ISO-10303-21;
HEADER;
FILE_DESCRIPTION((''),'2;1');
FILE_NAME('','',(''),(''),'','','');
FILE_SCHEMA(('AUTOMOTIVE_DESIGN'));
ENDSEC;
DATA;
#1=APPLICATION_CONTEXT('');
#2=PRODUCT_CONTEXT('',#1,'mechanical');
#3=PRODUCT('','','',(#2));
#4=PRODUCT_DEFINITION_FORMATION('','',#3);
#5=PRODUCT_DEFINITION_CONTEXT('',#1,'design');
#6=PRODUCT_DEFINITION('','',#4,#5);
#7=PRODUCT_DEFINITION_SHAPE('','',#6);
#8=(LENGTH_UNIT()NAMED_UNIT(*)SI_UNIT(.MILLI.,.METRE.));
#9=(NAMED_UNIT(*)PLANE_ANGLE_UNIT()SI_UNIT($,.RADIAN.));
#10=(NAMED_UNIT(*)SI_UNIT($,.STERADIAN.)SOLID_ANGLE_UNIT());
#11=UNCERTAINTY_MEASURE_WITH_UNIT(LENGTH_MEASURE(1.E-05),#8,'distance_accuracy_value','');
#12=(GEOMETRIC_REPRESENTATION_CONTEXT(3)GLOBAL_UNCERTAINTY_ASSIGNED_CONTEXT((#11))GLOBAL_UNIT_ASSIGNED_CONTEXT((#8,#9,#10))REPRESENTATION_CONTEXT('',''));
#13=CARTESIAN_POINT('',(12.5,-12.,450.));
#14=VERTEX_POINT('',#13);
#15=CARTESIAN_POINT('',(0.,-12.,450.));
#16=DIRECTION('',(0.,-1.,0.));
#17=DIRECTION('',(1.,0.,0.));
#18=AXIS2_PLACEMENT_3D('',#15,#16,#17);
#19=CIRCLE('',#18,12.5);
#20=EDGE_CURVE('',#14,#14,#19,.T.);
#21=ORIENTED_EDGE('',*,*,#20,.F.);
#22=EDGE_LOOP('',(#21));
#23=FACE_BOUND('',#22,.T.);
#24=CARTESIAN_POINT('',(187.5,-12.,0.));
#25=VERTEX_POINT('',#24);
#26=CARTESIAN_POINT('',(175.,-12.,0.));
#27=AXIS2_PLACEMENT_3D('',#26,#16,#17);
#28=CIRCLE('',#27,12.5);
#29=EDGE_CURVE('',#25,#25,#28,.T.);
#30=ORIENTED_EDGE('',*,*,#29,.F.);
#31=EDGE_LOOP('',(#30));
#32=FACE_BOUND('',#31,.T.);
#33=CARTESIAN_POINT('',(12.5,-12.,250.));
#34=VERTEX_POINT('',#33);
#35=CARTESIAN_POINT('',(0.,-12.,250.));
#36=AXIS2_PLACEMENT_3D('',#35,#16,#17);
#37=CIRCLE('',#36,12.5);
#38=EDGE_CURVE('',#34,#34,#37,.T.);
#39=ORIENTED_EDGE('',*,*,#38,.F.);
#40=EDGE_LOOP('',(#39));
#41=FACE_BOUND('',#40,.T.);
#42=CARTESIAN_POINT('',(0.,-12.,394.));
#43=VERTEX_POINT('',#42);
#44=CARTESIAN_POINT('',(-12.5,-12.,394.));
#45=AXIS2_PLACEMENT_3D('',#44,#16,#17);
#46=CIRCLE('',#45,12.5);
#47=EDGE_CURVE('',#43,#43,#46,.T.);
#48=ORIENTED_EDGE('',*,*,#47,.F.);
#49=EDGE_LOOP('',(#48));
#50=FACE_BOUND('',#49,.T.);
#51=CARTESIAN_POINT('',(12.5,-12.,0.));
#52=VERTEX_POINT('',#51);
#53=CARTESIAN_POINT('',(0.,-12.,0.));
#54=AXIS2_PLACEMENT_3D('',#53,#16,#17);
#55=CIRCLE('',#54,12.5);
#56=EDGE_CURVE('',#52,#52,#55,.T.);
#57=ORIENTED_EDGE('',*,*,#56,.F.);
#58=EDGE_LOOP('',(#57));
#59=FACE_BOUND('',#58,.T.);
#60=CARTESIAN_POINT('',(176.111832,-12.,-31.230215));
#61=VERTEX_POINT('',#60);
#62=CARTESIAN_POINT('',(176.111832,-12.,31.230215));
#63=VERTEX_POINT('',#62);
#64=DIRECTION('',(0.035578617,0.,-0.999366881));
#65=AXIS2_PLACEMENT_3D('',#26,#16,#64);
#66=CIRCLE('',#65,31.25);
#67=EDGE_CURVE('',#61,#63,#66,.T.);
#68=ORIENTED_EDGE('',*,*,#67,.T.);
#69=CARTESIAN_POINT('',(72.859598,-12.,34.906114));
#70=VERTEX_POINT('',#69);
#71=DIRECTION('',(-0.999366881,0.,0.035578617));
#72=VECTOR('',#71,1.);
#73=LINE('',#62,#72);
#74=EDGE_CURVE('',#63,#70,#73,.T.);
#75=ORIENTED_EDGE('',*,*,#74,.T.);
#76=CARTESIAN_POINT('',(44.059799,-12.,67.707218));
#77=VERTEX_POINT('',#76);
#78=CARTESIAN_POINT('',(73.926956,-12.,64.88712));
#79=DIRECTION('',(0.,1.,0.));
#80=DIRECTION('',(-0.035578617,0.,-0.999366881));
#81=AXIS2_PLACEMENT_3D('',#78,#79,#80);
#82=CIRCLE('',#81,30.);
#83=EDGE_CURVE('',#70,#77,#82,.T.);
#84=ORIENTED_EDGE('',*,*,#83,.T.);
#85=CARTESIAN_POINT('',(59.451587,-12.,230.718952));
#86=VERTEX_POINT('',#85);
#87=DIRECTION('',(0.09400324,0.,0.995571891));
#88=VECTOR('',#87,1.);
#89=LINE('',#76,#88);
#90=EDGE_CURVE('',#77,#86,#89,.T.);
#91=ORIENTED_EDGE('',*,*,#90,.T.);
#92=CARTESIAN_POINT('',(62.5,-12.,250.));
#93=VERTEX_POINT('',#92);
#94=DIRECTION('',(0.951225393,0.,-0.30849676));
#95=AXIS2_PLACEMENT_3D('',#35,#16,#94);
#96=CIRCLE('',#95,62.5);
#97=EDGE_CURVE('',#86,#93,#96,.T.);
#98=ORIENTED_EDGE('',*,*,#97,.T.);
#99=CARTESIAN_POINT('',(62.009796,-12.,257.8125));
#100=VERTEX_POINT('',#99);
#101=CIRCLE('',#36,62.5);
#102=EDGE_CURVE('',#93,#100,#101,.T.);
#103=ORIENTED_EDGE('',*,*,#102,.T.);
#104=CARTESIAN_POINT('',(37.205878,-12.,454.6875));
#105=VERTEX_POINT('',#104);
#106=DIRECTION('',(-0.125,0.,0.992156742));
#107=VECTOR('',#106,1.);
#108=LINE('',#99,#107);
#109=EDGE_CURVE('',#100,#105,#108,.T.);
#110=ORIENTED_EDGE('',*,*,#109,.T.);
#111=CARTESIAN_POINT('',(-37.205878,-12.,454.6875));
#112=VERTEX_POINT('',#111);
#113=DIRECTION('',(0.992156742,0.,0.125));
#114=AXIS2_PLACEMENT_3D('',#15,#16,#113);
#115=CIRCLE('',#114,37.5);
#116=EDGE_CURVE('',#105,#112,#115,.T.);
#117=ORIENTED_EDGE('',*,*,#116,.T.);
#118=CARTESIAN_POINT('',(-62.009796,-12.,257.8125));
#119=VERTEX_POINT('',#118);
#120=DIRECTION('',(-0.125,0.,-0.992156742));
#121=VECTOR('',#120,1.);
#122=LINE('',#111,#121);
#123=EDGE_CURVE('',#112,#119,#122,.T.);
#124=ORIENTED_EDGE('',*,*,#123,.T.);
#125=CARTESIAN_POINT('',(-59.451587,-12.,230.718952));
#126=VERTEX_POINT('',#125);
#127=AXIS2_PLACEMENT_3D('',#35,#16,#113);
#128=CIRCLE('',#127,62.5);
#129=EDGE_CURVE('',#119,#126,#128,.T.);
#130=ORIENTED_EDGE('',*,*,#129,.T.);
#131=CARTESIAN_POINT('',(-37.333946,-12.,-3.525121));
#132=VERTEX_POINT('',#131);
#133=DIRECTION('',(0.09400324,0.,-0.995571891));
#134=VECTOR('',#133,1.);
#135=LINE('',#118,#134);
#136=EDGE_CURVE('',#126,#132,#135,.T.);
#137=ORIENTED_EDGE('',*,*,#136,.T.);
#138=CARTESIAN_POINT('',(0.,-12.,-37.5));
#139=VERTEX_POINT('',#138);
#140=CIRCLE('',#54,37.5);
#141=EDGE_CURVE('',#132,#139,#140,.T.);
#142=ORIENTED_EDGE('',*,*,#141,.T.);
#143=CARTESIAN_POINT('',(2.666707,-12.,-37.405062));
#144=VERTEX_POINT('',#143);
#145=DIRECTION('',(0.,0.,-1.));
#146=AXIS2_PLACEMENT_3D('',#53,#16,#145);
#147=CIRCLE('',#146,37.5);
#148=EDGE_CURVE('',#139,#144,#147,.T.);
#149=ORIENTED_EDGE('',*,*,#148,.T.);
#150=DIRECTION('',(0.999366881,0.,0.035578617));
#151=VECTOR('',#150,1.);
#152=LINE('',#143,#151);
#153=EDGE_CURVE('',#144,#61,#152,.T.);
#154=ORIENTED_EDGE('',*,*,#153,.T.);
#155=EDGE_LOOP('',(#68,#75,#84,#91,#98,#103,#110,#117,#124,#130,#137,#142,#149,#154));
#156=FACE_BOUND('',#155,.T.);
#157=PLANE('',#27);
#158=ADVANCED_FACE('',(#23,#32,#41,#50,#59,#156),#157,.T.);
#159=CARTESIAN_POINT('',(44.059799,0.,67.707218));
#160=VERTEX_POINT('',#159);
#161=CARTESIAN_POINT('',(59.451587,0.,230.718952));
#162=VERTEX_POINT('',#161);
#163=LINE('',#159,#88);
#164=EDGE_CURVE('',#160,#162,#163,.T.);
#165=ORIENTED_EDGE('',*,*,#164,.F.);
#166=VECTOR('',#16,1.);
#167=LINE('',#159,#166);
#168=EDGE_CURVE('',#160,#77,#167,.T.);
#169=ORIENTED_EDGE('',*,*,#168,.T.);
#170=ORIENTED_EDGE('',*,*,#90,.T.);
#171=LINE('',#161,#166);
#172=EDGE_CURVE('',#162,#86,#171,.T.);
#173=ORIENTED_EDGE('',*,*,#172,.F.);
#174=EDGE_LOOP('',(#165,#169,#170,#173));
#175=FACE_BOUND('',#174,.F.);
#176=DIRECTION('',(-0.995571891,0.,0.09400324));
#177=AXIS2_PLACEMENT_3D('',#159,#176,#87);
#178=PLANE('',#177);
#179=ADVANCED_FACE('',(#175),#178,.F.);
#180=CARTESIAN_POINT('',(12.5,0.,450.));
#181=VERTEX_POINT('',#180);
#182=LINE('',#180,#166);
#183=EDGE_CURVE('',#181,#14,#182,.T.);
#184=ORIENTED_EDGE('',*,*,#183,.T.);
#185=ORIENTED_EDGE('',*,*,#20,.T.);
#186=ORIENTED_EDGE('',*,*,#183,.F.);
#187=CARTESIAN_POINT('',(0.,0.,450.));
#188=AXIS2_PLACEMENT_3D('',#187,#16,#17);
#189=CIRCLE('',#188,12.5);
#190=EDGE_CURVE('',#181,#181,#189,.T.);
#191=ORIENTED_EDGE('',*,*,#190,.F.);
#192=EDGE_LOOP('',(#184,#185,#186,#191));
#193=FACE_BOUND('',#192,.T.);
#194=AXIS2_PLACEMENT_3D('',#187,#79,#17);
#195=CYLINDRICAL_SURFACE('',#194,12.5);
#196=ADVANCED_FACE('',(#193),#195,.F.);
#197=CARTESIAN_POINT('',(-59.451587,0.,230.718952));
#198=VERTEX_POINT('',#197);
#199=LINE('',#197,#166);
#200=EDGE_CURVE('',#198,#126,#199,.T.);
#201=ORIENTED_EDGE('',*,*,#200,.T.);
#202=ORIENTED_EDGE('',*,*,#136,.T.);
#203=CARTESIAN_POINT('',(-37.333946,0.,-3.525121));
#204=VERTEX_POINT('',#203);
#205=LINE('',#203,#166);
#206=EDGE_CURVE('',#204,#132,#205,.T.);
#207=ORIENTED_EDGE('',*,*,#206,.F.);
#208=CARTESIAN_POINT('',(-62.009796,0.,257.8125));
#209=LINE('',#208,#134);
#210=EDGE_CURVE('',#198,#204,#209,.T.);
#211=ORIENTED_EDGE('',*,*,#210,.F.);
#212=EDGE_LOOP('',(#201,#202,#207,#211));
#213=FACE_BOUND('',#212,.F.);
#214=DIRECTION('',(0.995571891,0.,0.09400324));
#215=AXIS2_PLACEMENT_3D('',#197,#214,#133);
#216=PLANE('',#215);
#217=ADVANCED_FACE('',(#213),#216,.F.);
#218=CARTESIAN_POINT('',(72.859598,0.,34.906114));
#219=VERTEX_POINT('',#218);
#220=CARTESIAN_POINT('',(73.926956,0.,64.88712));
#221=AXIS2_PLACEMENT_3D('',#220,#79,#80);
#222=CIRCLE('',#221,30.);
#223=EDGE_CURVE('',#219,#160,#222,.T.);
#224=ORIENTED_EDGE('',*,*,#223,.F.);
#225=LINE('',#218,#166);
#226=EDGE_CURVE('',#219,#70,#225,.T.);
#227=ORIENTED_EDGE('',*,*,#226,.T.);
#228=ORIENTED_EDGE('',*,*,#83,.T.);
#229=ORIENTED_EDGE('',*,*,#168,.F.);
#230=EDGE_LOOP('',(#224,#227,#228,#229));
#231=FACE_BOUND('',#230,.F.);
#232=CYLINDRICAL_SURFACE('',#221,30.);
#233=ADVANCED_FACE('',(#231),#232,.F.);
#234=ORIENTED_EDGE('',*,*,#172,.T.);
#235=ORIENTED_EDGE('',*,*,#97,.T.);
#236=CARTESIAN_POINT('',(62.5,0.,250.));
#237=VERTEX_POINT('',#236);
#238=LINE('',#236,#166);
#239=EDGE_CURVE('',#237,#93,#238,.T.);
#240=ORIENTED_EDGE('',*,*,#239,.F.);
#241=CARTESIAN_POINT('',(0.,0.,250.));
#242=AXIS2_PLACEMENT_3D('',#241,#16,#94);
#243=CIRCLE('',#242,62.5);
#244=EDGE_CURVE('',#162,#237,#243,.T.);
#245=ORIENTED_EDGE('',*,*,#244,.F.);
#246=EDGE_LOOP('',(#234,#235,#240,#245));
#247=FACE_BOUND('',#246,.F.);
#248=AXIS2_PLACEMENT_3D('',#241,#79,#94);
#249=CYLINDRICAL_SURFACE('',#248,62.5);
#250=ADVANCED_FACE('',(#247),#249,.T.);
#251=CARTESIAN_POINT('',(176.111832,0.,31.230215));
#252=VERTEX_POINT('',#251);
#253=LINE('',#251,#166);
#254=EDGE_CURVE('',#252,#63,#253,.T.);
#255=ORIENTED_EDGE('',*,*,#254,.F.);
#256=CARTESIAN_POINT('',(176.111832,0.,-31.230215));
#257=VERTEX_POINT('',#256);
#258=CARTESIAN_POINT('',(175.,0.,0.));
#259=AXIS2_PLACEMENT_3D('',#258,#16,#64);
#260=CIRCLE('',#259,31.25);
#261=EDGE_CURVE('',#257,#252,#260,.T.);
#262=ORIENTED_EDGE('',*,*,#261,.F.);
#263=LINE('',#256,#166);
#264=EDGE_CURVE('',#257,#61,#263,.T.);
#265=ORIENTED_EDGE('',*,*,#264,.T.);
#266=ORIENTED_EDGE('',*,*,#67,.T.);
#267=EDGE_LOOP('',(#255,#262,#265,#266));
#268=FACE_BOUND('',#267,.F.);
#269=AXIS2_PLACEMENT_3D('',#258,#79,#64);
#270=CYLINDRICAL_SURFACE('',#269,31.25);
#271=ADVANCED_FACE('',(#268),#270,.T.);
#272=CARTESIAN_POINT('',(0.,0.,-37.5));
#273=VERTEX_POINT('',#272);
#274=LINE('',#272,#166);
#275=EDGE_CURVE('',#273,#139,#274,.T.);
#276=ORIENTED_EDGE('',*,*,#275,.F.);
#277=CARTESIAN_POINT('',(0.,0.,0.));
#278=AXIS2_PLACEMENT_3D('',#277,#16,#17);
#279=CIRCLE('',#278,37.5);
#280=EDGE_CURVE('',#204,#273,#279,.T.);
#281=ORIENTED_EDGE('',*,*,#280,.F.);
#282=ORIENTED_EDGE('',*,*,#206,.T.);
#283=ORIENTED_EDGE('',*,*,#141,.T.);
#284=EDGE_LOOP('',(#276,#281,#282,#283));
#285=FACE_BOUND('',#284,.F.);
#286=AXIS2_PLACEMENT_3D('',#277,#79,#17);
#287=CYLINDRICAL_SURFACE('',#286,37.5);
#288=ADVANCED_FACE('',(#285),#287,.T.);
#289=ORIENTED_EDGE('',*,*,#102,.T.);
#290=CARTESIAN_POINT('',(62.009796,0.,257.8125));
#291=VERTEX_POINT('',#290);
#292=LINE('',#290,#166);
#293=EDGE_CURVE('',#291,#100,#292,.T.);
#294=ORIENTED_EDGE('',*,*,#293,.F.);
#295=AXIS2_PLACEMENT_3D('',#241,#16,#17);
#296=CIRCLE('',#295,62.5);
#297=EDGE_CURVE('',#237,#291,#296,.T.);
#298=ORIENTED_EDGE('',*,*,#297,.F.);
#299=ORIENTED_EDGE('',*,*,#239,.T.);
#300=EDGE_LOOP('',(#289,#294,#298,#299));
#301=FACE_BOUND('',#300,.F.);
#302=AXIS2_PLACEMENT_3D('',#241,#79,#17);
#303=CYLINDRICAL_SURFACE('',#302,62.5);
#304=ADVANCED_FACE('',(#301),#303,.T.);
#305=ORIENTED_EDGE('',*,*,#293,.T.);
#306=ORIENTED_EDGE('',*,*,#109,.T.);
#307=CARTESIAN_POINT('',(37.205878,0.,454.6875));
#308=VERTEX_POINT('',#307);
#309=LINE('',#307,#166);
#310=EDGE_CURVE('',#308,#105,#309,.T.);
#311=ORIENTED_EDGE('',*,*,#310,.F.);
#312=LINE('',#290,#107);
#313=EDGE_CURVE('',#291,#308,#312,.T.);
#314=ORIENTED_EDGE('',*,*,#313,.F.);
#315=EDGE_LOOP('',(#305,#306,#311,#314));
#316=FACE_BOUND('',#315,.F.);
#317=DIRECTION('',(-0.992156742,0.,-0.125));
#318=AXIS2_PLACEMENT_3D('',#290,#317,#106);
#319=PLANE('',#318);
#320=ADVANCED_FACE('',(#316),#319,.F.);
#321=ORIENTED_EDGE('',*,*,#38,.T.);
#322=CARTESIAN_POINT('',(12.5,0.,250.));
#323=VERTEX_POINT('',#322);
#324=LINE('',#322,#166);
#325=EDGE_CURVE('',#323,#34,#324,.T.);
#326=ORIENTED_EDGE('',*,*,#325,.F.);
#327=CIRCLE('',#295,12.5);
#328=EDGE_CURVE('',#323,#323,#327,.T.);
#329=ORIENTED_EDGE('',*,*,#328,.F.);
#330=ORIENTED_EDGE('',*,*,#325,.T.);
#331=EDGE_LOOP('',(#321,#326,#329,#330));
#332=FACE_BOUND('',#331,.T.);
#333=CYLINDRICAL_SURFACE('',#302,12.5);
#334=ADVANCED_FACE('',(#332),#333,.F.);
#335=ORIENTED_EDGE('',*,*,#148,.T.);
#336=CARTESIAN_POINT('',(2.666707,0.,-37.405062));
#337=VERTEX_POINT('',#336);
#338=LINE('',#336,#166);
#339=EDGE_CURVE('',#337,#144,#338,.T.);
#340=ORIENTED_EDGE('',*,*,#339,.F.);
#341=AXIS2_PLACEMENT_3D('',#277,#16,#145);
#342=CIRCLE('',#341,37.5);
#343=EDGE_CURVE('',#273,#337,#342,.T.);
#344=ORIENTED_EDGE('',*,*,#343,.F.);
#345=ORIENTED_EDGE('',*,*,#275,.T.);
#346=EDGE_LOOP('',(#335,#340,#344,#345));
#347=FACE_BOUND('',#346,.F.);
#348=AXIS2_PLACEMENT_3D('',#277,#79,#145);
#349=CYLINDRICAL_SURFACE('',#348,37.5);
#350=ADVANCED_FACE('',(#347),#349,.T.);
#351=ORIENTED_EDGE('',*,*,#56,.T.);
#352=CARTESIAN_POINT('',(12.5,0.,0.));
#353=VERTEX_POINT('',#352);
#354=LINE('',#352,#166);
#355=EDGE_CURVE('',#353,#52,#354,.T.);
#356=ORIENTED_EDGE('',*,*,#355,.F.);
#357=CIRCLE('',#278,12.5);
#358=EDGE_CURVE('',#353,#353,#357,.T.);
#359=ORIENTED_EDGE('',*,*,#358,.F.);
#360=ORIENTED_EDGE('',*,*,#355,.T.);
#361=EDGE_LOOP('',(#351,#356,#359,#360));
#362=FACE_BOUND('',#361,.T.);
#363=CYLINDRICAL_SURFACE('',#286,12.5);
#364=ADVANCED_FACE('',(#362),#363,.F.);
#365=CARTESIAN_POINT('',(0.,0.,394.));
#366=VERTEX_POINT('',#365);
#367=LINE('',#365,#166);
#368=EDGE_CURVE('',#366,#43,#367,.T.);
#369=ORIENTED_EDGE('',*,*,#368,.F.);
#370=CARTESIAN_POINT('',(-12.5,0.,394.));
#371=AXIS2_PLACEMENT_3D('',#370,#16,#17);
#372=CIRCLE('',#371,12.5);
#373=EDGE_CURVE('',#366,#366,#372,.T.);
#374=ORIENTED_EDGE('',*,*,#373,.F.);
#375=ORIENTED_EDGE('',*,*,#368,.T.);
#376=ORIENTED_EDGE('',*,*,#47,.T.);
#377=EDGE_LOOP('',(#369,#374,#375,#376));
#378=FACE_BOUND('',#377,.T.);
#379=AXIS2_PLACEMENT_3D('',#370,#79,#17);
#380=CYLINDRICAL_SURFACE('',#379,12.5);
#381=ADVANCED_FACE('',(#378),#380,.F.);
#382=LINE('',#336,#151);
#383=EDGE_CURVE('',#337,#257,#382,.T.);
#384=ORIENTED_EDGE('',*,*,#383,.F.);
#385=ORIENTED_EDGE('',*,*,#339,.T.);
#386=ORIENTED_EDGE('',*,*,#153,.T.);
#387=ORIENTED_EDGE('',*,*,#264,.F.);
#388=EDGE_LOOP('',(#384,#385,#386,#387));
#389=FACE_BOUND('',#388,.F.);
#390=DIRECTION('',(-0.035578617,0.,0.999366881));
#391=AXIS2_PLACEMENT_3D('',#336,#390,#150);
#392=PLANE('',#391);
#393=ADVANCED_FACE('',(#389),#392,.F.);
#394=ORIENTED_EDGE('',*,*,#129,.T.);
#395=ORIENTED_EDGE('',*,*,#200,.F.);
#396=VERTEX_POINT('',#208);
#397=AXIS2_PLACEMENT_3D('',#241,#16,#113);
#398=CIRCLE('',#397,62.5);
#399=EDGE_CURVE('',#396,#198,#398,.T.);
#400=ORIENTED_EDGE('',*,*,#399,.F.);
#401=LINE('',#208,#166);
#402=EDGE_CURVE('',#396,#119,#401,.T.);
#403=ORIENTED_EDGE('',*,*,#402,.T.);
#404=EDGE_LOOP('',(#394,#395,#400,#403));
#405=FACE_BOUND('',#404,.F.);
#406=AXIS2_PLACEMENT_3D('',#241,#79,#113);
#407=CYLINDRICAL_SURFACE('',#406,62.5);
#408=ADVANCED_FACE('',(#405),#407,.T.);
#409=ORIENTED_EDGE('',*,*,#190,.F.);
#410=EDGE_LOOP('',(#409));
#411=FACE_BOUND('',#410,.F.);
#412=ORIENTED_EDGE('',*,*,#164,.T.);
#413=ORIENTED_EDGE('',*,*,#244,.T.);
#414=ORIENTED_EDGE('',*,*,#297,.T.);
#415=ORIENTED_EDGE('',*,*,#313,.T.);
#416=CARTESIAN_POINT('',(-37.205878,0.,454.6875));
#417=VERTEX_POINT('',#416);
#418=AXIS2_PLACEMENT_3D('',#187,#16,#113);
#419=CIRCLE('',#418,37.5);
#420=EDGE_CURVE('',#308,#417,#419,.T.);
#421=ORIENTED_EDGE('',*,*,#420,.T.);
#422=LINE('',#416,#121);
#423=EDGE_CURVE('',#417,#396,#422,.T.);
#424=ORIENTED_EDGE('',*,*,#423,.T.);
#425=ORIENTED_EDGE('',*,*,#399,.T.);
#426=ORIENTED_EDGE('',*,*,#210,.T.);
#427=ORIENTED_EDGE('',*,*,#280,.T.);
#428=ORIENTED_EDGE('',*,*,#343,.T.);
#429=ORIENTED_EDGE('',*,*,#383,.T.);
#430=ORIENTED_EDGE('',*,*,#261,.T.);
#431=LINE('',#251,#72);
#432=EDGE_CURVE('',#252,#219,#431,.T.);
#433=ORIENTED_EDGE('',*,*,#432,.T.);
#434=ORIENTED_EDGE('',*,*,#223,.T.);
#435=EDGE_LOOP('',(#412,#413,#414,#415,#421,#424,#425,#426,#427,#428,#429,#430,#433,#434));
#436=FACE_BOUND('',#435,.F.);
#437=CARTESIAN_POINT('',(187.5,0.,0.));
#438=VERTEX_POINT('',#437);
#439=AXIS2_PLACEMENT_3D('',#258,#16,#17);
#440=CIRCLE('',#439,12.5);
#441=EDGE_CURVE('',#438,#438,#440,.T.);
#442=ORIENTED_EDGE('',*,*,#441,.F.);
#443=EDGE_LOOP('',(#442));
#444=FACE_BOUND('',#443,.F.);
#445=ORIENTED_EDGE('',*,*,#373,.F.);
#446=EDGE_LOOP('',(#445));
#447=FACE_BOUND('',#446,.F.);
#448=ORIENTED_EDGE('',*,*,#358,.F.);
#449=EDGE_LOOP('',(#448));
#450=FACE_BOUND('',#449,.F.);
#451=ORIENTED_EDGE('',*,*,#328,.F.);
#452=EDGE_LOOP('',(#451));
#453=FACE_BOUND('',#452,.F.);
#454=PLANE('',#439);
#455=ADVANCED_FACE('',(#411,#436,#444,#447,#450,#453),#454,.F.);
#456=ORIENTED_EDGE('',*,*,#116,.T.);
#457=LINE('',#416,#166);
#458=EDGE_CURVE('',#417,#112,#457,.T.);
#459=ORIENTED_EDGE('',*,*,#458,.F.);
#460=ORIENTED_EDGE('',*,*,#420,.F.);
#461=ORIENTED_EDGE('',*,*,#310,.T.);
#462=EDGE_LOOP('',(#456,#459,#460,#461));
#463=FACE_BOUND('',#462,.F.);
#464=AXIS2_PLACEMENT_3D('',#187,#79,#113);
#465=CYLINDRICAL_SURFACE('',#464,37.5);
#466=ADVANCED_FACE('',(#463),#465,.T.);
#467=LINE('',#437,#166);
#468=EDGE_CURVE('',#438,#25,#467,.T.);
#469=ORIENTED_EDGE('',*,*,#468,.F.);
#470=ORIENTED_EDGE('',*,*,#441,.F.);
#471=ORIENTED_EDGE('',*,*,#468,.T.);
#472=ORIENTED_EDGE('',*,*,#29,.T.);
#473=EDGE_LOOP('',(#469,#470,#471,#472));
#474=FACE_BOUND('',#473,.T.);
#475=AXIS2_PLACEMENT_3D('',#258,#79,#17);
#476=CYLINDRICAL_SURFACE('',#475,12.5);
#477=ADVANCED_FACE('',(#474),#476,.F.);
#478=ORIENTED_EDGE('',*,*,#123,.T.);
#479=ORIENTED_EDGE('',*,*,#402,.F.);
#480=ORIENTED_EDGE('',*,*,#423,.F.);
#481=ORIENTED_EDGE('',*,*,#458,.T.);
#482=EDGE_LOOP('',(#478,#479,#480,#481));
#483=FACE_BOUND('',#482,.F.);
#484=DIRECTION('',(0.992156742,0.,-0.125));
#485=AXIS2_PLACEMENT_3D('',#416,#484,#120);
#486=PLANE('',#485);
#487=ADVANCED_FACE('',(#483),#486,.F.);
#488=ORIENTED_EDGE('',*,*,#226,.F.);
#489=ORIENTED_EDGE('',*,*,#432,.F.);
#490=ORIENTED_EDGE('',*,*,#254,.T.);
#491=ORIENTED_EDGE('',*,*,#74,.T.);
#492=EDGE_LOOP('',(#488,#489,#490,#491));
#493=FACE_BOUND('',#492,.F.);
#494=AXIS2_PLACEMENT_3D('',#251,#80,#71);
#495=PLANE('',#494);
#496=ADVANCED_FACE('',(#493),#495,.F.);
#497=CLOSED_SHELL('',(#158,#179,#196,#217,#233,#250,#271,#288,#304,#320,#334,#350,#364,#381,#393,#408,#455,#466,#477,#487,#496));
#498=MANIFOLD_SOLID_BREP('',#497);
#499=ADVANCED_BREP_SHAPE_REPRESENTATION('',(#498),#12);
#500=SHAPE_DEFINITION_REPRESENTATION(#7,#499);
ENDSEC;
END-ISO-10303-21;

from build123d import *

# Parameters (mm, degrees)
F0_R     = 12.5
F1_DEPTH = 12


with BuildPart() as f1:
    # F0 (on Front) → F1 (new body)
    with BuildSketch(Plane.XZ):
        with BuildLine():
            ThreePointArc((176.1118317896, -31.230215018), (197.4867432438, -21.7004349792), (206.25, 0))
            ThreePointArc((206.25, 0), (197.4867432438, 21.7004349792), (176.1118317896, 31.230215018))
            ThreePointArc((176.1118317896, 31.230215018), (143.75, 0), (176.1118317896, -31.230215018))
        make_face()
        with Locations((175, 0)):
            Circle(F0_R, mode=Mode.SUBTRACT)
        with BuildLine():
            ThreePointArc((176.1118317896, -31.230215018), (143.75, 0), (176.1118317896, 31.230215018))
            Line((176.1118317896, 31.230215018), (72.8595976104, 34.9061140228))
            ThreePointArc((72.8595976104, 34.9061140228), (51.3833504258, 45.0935396139), (44.0597993868, 67.7072176317))
            Line((44.0597993868, 67.7072176317), (59.4515870825, 230.7189524824))
            ThreePointArc((59.4515870825, 230.7189524824), (0, 187.5), (-59.4515870825, 230.7189524824))
            Line((-59.4515870825, 230.7189524824), (-37.3339459271, -3.5251214894))
            ThreePointArc((-37.3339459271, -3.5251214894), (-1.7645151934, 37.458463478), (37.5, 0))
            ThreePointArc((37.5, 0), (27.4431367381, -25.556295623), (2.6667068815, -37.4050621495))
            Line((2.6667068815, -37.4050621495), (176.1118317896, -31.230215018))
        make_face()
        with BuildLine():
            Line((0, -37.5), (2.6667068815, -37.4050621495))
            ThreePointArc((2.6667068815, -37.4050621495), (27.4431367381, -25.556295623), (37.5, 0))
            ThreePointArc((37.5, 0), (-1.7645151934, 37.458463478), (-37.3339459271, -3.5251214894))
            ThreePointArc((-37.3339459271, -3.5251214894), (-25.2394328794, -27.7348341969), (0, -37.5))
        make_face()
        Circle(F0_R, mode=Mode.SUBTRACT)
        with BuildLine():
            ThreePointArc((0, -37.5), (1.3341981475, -37.4762580216), (2.6667068815, -37.4050621495))
            Line((2.6667068815, -37.4050621495), (0, -37.5))
        make_face()
        with BuildLine():
            Line((62.0097963531, 257.8125), (59.4515870825, 230.7189524824))
            ThreePointArc((59.4515870825, 230.7189524824), (61.7331928247, 240.2397282992), (62.5, 250))
            ThreePointArc((62.5, 250), (62.3773287023, 253.9139320339), (62.0097963531, 257.8125))
        make_face()
        with BuildLine():
            ThreePointArc((-59.4515870825, 230.7189524824), (0, 187.5), (59.4515870825, 230.7189524824))
            Line((59.4515870825, 230.7189524824), (62.0097963531, 257.8125))
            ThreePointArc((62.0097963531, 257.8125), (0, 312.5), (-62.0097963531, 257.8125))
            Line((-62.0097963531, 257.8125), (-59.4515870825, 230.7189524824))
        make_face()
        with Locations((0, 250)):
            Circle(F0_R, mode=Mode.SUBTRACT)
        with BuildLine():
            ThreePointArc((-62.0097963531, 257.8125), (-62.2232432118, 244.1247975176), (-59.4515870825, 230.7189524824))
            Line((-59.4515870825, 230.7189524824), (-62.0097963531, 257.8125))
        make_face()
        with BuildLine():
            ThreePointArc((-62.0097963531, 257.8125), (0, 312.5), (62.0097963531, 257.8125))
            Line((62.0097963531, 257.8125), (37.2058778118, 454.6875))
            ThreePointArc((37.2058778118, 454.6875), (37.4263972214, 452.3483592204), (37.5, 450))
            ThreePointArc((37.5, 450), (-2.3483592204, 412.5736027786), (-37.2058778118, 454.6875))
            Line((-37.2058778118, 454.6875), (-62.0097963531, 257.8125))
        make_face()
        with Locations((-12.5, 394)):
            Circle(F0_R, mode=Mode.SUBTRACT)
        with BuildLine():
            ThreePointArc((37.5, 450), (37.4263972214, 452.3483592204), (37.2058778118, 454.6875))
            ThreePointArc((37.2058778118, 454.6875), (0, 487.5), (-37.2058778118, 454.6875))
            ThreePointArc((-37.2058778118, 454.6875), (-2.3483592204, 412.5736027786), (37.5, 450))
        make_face()
        with Locations((0, 450)):
            Circle(F0_R, mode=Mode.SUBTRACT)
    extrude(amount=F1_DEPTH)


solid = f1.part
